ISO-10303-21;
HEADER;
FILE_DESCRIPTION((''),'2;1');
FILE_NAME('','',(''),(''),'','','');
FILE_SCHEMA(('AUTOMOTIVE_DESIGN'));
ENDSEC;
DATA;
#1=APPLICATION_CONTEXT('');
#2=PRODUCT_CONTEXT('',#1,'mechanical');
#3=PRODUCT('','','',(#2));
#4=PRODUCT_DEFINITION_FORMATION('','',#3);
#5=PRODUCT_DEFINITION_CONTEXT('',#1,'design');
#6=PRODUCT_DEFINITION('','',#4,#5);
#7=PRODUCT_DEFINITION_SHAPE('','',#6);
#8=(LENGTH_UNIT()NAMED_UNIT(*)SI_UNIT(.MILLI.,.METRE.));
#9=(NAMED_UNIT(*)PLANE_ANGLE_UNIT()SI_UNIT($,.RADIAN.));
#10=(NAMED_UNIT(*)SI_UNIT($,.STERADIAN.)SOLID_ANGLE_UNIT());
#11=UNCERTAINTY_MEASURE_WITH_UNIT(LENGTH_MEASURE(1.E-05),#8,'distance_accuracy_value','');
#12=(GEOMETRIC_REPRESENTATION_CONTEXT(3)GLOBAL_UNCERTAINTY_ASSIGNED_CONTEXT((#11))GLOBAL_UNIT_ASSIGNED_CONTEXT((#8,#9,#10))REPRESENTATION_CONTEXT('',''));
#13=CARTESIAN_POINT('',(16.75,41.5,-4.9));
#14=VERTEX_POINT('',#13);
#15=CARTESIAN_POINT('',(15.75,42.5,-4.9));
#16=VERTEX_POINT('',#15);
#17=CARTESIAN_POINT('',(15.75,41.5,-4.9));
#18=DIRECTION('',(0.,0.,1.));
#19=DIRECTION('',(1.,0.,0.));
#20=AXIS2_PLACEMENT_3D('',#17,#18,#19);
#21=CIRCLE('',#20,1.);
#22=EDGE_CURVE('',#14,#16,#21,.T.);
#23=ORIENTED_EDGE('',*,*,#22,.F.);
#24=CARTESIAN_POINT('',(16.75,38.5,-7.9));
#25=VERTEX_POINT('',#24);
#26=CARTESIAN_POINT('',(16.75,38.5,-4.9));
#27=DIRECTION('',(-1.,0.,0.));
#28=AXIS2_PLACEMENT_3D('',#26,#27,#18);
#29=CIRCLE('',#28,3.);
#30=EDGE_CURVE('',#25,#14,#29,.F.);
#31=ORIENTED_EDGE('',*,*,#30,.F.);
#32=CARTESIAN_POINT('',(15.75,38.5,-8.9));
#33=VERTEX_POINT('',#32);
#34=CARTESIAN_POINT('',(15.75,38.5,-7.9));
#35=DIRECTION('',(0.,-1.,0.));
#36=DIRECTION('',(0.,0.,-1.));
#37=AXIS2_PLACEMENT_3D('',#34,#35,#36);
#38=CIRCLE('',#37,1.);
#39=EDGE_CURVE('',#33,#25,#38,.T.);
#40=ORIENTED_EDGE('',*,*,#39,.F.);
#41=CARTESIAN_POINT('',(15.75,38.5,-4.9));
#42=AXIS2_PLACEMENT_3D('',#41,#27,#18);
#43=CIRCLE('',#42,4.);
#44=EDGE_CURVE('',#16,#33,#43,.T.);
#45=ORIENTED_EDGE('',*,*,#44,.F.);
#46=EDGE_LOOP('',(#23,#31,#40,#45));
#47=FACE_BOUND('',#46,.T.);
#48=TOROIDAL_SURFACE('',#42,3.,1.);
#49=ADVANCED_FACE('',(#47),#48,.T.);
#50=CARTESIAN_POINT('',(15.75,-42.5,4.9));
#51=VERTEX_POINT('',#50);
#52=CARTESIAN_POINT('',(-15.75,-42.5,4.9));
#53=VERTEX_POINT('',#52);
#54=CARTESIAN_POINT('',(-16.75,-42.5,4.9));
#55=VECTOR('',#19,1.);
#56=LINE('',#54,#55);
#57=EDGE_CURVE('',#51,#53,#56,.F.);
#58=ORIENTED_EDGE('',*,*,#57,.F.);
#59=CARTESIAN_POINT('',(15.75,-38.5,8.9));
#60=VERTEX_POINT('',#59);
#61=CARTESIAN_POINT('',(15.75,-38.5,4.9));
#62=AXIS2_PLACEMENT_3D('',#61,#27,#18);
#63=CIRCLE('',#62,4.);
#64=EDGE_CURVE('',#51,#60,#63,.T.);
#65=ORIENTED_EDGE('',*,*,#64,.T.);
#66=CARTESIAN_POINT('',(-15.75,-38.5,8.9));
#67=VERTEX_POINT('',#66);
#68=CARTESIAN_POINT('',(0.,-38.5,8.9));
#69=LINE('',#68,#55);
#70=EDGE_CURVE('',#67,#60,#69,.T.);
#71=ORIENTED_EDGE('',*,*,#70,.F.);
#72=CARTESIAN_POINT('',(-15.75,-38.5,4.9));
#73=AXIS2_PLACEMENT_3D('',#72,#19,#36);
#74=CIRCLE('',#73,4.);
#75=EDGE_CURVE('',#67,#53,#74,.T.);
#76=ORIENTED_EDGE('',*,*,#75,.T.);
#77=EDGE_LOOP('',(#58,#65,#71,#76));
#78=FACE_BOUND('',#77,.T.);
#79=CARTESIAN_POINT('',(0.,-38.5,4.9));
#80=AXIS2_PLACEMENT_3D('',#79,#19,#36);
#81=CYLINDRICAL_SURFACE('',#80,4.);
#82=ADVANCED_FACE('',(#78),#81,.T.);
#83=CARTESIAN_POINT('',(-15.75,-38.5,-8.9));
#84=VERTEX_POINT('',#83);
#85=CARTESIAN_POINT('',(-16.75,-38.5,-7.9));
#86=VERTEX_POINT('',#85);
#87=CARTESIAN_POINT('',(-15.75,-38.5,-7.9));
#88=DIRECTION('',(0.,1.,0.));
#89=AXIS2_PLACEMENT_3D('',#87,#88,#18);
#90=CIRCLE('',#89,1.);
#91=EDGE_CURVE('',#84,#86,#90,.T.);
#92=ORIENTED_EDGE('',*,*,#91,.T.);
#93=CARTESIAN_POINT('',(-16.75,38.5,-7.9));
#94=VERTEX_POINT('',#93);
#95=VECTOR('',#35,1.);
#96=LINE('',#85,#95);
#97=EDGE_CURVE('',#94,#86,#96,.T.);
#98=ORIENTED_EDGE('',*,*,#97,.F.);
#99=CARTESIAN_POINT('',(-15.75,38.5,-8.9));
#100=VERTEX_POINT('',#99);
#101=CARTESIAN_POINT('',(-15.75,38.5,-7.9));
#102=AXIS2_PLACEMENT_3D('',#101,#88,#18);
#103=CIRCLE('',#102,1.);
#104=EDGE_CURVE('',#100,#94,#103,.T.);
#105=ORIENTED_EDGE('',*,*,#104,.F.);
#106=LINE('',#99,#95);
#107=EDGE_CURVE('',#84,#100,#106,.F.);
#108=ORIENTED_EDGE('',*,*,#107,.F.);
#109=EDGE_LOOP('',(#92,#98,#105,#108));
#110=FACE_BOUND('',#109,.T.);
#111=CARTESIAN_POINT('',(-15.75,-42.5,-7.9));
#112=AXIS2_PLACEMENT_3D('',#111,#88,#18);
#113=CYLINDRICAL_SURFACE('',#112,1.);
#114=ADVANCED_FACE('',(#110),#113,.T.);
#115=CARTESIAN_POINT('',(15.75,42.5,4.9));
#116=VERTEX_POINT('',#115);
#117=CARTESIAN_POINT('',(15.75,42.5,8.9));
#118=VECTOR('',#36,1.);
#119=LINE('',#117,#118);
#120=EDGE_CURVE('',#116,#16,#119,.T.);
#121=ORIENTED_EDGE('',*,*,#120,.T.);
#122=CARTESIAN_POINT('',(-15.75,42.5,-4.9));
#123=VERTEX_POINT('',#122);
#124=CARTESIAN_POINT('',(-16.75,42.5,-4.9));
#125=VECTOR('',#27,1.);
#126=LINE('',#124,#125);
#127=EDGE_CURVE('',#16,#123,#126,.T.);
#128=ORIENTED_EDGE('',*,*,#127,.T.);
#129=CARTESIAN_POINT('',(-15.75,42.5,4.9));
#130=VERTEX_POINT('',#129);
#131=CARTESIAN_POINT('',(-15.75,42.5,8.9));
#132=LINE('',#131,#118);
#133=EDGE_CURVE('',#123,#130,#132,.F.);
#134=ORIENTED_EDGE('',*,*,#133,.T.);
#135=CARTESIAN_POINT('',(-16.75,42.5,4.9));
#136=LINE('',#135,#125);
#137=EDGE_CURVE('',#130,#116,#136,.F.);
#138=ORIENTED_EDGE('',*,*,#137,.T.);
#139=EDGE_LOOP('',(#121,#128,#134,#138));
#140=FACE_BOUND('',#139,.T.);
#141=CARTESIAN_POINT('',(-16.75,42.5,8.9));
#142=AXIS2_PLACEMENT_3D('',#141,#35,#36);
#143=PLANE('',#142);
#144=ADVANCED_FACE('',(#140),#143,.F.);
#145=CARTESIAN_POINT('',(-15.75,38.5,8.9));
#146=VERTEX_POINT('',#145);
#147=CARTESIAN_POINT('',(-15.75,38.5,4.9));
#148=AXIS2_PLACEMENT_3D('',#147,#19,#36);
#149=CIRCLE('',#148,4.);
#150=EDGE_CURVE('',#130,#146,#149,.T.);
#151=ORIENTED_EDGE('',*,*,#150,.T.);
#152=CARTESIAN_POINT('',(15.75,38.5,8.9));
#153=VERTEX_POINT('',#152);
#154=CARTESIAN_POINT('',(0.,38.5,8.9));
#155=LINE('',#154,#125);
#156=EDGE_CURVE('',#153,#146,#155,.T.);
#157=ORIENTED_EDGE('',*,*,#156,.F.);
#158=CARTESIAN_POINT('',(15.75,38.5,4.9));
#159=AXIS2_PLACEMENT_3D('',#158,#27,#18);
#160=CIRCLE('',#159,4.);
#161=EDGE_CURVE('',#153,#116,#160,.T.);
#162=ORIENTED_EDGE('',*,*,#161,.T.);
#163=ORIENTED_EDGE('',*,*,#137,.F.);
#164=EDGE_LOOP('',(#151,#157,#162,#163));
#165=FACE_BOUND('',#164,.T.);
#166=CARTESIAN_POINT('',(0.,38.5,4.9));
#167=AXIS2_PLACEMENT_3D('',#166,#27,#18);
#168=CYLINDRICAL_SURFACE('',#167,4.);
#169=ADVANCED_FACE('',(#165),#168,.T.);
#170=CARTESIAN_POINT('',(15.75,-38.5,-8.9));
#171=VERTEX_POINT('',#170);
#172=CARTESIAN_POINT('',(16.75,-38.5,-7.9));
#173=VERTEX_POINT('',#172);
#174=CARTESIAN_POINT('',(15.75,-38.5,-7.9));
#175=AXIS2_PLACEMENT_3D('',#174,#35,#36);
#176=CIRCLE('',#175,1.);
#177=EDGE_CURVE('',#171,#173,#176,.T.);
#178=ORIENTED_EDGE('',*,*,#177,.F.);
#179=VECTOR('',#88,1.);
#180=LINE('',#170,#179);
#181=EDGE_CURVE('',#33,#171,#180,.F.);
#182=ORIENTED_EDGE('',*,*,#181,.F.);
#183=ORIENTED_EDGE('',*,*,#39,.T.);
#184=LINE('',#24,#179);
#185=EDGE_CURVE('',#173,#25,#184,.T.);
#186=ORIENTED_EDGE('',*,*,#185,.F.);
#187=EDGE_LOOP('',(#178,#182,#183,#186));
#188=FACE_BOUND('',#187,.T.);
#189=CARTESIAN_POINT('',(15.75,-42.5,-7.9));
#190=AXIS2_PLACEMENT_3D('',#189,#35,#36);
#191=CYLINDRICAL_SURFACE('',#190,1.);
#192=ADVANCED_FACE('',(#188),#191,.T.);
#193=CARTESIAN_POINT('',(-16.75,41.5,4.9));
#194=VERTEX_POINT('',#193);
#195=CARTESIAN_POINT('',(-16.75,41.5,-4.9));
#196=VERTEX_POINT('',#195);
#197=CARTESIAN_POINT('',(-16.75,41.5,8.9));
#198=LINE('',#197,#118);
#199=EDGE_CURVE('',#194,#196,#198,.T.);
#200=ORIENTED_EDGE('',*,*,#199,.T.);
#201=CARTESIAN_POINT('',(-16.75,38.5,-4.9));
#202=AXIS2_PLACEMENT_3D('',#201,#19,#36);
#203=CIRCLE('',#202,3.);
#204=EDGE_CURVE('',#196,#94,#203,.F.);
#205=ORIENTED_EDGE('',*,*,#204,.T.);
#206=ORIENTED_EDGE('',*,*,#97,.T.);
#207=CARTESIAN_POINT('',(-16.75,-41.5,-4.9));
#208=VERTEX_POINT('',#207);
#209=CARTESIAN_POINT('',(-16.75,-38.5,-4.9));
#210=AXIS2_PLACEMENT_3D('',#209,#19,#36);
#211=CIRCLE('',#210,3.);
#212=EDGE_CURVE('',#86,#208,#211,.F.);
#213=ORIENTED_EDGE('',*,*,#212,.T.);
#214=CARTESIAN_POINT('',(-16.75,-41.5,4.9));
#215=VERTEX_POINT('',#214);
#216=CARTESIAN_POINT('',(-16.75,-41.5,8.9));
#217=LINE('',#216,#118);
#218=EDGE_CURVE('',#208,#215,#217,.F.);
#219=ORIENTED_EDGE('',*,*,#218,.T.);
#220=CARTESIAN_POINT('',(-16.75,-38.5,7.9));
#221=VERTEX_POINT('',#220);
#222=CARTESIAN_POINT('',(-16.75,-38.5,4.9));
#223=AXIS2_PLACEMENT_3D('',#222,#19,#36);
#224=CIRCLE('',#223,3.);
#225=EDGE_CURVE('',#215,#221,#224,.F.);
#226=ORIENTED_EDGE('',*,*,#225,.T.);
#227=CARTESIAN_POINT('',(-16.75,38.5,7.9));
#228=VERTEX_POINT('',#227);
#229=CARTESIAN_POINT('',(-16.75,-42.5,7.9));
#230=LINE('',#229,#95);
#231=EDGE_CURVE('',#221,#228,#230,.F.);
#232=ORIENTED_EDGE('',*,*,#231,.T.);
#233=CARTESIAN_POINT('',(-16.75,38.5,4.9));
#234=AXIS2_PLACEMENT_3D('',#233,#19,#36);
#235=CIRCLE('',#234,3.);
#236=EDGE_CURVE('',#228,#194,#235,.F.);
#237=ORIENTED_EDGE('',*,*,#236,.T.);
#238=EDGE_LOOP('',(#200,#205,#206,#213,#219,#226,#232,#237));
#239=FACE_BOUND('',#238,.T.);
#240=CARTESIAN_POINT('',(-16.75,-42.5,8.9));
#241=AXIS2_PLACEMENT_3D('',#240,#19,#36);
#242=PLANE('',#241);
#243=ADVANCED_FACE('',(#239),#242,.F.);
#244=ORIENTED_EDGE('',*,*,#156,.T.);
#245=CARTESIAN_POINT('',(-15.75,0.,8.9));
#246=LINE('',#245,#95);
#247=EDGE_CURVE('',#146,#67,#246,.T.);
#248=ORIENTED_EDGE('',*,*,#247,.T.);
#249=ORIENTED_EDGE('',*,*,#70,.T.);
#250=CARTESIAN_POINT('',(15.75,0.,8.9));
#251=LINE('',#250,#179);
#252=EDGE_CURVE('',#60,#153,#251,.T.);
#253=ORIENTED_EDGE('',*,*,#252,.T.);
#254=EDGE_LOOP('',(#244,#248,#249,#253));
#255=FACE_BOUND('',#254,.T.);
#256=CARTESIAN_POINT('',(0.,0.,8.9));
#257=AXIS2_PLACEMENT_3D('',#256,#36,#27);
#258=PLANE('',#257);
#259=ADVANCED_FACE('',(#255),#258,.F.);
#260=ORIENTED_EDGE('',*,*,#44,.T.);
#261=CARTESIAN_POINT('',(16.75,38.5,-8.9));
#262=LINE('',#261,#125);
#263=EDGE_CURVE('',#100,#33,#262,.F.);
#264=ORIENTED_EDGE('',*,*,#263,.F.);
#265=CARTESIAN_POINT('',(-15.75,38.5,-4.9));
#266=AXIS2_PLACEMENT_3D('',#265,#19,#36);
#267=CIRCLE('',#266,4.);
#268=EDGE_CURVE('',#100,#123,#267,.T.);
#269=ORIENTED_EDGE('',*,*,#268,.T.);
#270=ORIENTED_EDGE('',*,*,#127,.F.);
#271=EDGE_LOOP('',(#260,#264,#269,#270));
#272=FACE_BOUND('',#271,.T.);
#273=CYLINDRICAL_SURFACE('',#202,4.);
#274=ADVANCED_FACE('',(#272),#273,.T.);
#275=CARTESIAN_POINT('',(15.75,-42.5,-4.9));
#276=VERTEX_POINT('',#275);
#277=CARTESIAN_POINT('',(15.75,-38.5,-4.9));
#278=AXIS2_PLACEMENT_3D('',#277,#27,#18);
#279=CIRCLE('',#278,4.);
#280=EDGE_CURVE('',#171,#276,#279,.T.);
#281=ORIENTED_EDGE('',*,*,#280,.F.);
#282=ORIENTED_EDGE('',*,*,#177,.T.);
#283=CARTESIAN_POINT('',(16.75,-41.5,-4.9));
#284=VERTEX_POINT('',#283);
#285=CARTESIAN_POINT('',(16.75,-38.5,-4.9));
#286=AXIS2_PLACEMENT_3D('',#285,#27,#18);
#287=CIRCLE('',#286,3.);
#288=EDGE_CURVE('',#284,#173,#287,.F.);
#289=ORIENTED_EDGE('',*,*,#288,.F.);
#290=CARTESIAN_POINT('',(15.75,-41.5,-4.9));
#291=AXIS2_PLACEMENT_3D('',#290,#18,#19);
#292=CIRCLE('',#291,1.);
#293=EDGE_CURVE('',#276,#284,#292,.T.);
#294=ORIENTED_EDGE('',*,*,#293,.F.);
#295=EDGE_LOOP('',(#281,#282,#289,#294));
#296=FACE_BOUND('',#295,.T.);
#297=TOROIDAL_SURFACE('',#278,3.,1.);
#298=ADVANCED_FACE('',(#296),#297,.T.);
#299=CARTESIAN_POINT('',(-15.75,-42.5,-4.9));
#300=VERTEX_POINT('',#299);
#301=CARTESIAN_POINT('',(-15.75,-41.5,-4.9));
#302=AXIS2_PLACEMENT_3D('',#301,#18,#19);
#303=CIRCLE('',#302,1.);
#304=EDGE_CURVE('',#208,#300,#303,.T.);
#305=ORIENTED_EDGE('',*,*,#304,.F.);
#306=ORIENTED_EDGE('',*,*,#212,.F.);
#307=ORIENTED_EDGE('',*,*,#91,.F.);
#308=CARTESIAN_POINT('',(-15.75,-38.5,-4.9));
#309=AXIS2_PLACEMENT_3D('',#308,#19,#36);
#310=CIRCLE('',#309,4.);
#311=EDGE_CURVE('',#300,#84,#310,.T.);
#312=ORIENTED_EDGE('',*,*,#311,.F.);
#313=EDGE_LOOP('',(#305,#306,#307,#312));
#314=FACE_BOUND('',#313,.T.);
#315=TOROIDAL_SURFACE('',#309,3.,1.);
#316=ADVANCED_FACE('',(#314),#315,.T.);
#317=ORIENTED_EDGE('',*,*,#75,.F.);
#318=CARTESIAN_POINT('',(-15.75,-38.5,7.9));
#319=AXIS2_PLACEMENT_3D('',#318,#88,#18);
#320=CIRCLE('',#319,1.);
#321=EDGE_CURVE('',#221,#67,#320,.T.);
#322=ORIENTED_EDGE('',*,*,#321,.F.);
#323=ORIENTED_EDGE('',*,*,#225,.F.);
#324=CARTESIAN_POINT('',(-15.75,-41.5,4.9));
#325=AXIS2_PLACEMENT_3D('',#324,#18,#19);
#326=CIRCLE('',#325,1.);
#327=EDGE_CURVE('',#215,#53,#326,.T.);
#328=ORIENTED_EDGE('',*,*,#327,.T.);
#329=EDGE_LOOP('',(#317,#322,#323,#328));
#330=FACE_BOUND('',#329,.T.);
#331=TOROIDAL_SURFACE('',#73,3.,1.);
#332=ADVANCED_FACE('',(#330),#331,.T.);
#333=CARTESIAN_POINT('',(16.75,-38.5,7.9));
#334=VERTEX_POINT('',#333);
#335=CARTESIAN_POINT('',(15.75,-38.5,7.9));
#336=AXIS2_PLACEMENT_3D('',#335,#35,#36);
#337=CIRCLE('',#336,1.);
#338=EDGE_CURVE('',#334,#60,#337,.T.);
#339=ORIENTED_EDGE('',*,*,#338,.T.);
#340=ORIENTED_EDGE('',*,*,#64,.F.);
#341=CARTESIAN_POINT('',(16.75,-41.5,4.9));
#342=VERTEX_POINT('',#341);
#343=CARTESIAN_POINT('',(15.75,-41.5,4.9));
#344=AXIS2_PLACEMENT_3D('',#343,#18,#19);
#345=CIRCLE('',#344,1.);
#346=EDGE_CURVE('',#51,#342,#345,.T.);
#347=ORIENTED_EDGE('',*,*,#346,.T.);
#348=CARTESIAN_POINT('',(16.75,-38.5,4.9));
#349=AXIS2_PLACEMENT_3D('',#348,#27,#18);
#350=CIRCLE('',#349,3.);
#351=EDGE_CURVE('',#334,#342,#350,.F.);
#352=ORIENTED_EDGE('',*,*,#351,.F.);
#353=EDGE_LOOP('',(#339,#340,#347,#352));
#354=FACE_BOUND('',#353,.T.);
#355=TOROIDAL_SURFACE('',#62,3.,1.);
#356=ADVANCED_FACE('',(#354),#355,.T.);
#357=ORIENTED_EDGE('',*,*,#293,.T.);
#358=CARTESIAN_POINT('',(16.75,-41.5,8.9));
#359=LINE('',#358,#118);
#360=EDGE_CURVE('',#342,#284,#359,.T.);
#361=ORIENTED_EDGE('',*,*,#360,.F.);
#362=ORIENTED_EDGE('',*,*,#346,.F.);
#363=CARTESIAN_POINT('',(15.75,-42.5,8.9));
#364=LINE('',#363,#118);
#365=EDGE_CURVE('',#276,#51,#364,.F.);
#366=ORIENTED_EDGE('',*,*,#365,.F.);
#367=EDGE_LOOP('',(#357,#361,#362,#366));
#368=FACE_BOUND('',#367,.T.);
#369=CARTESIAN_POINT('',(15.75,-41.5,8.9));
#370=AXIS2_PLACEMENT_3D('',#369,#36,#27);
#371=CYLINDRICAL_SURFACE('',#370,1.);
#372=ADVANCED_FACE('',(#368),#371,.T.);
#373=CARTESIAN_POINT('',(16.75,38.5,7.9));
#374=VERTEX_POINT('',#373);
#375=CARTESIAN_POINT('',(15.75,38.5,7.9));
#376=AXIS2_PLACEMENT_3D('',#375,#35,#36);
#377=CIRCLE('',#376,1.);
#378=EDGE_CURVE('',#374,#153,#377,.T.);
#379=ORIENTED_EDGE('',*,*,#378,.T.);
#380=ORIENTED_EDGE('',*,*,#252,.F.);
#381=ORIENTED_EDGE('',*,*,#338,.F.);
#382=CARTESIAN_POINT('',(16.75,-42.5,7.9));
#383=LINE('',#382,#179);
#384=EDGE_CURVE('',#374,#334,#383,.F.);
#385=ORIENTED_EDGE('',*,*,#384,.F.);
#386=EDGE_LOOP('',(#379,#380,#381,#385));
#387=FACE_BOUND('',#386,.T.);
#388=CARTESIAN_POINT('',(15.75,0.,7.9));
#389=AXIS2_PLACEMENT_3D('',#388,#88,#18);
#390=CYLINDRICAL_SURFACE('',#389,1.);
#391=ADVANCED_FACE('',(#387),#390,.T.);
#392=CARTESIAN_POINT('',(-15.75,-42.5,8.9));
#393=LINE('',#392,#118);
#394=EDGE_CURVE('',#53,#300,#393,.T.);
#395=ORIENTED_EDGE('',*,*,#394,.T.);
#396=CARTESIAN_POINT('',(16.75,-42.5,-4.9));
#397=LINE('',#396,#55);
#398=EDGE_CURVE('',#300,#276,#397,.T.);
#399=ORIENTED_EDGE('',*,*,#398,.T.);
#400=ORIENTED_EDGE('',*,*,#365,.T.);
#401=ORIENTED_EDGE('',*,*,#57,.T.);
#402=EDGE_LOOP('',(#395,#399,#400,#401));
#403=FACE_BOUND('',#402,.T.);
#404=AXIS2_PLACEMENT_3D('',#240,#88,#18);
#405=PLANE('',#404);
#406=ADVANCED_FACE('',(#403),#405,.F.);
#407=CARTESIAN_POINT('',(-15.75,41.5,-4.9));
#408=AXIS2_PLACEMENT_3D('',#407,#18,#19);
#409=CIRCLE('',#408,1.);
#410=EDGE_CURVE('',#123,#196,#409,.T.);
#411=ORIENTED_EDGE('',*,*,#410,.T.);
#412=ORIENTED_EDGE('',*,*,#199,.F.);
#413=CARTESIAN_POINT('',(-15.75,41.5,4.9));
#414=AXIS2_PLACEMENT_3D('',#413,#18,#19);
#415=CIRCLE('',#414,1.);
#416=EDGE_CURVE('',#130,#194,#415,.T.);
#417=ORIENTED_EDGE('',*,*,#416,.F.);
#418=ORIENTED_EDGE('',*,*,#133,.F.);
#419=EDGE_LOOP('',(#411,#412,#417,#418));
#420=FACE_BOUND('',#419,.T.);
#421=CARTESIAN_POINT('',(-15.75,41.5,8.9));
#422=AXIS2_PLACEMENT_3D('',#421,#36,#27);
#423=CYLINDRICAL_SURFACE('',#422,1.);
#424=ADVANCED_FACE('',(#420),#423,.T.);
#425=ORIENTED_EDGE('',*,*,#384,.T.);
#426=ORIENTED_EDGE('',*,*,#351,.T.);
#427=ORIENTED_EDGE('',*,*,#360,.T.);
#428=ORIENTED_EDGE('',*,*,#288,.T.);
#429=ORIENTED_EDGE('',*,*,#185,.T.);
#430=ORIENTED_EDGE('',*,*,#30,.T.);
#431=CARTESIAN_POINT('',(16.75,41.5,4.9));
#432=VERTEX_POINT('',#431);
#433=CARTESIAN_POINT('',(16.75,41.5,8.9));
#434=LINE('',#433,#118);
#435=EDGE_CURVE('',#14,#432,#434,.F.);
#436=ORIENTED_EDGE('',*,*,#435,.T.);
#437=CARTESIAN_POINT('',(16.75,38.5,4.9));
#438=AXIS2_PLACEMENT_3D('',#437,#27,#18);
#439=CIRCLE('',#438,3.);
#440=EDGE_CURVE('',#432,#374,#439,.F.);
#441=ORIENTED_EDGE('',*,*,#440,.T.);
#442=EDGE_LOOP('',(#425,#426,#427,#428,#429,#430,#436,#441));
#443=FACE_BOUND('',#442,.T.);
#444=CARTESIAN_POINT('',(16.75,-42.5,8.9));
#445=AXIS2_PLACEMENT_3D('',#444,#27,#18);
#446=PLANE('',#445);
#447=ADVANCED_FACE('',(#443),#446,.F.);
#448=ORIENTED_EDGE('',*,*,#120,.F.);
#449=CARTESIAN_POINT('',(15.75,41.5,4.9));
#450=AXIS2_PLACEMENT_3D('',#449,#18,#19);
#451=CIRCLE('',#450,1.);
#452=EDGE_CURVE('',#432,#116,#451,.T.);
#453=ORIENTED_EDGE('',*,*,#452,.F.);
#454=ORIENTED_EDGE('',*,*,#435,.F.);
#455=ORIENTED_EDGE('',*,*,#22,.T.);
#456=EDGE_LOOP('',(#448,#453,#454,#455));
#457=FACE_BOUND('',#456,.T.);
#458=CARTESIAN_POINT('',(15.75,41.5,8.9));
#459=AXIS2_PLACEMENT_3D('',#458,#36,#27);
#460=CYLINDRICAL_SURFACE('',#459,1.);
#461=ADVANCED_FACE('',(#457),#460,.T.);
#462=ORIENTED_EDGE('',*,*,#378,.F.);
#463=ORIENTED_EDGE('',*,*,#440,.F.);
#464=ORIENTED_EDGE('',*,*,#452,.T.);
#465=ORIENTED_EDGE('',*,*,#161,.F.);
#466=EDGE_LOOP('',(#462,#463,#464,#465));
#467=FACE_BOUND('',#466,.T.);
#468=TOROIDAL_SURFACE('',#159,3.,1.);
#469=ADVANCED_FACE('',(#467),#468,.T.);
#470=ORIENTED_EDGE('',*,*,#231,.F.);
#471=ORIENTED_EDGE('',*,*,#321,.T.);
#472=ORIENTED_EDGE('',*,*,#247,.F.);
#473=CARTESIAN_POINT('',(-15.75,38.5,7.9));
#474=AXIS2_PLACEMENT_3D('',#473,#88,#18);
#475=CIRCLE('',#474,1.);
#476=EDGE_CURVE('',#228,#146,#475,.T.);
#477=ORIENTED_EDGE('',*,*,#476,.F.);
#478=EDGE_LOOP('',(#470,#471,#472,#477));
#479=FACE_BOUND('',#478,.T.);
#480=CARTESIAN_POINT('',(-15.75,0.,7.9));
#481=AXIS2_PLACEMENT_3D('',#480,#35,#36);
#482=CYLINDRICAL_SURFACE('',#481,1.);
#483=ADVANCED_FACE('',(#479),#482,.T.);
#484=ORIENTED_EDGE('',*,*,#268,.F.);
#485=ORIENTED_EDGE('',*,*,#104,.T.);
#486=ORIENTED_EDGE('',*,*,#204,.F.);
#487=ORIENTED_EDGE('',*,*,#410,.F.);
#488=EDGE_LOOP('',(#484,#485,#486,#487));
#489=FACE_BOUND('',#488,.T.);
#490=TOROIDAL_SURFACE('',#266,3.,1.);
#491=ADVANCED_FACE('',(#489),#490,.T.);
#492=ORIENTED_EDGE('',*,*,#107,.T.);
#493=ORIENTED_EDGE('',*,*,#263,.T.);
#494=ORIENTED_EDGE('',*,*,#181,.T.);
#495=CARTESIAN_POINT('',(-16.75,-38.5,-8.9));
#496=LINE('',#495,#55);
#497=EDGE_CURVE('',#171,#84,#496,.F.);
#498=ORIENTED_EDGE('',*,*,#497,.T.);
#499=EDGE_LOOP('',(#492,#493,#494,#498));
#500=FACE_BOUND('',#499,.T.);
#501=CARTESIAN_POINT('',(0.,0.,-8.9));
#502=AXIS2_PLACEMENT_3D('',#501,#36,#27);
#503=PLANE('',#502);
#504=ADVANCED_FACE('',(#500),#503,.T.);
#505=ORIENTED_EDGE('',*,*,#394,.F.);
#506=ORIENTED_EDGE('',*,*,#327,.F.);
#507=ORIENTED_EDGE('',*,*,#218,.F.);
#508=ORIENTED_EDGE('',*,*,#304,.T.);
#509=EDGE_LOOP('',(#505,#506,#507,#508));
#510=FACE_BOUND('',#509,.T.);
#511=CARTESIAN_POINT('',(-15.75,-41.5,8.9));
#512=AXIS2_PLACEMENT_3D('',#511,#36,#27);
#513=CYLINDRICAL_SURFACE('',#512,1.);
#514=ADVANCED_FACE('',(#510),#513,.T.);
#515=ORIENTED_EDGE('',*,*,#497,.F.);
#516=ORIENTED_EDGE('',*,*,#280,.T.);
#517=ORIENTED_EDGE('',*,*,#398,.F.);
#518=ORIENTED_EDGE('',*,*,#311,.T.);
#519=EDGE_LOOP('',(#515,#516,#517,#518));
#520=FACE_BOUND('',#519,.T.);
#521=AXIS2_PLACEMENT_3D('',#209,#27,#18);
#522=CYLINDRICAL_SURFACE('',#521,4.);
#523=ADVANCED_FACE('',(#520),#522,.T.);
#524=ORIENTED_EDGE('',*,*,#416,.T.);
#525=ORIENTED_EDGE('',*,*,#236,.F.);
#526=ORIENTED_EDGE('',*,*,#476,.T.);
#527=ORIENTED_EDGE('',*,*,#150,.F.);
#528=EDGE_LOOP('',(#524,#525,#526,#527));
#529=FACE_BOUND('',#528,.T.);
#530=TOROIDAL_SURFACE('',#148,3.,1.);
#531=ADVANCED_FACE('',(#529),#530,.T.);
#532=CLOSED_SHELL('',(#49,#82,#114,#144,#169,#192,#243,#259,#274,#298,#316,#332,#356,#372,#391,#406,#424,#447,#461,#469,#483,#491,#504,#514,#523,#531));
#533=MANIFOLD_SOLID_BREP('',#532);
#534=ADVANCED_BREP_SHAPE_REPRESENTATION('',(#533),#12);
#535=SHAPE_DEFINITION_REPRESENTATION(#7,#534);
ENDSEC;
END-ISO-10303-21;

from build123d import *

# Parameters (mm, degrees)
SKETCH1_W           = 33.5
SKETCH1_H           = 85
BOSS_EXTRUDE1_DEPTH = 8.9
FILLET1_R           = 4
FILLET2_R           = 1


with BuildPart() as part:
    # Sketch1 → Boss-Extrude1 (new, symmetric)
    with BuildSketch(Plane.XY):
        Rectangle(SKETCH1_W, SKETCH1_H)
    extrude(amount=BOSS_EXTRUDE1_DEPTH, both=True)

    # Fillet1
    fillet1_edges = [part.edges().sort_by_distance(p)[0] for p in [
        (0, -42.5, 8.9),
        (0, -42.5, -8.9),
        (0, 42.5, -8.9),
        (0, 42.5, 8.9),
    ]]
    fillet(fillet1_edges, radius=FILLET1_R)

    # Fillet2
    fillet2_edges = [part.edges().sort_by_distance(p)[0] for p in [
        (16.75, -42.5, 0),
        (-16.75, -42.5, 0),
        (16.75, 0, -8.9),
        (16.75, 42.5, 0),
        (16.75, 0, 8.9),
        (16.75, 41.328427125, 7.728427125),
        (16.75, 41.328427125, -7.728427125),
        (16.75, -41.328427125, 7.728427125),
        (16.75, -41.328427125, -7.728427125),
        (-16.75, 0, -8.9),
        (-16.75, 0, 8.9),
        (-16.75, 42.5, 0),
        (-16.75, 41.328427125, 7.728427125),
        (-16.75, 41.328427125, -7.728427125),
        (-16.75, -41.328427125, 7.728427125),
        (-16.75, -41.328427125, -7.728427125),
    ]]
    fillet(fillet2_edges, radius=FILLET2_R)


solid = part.part
